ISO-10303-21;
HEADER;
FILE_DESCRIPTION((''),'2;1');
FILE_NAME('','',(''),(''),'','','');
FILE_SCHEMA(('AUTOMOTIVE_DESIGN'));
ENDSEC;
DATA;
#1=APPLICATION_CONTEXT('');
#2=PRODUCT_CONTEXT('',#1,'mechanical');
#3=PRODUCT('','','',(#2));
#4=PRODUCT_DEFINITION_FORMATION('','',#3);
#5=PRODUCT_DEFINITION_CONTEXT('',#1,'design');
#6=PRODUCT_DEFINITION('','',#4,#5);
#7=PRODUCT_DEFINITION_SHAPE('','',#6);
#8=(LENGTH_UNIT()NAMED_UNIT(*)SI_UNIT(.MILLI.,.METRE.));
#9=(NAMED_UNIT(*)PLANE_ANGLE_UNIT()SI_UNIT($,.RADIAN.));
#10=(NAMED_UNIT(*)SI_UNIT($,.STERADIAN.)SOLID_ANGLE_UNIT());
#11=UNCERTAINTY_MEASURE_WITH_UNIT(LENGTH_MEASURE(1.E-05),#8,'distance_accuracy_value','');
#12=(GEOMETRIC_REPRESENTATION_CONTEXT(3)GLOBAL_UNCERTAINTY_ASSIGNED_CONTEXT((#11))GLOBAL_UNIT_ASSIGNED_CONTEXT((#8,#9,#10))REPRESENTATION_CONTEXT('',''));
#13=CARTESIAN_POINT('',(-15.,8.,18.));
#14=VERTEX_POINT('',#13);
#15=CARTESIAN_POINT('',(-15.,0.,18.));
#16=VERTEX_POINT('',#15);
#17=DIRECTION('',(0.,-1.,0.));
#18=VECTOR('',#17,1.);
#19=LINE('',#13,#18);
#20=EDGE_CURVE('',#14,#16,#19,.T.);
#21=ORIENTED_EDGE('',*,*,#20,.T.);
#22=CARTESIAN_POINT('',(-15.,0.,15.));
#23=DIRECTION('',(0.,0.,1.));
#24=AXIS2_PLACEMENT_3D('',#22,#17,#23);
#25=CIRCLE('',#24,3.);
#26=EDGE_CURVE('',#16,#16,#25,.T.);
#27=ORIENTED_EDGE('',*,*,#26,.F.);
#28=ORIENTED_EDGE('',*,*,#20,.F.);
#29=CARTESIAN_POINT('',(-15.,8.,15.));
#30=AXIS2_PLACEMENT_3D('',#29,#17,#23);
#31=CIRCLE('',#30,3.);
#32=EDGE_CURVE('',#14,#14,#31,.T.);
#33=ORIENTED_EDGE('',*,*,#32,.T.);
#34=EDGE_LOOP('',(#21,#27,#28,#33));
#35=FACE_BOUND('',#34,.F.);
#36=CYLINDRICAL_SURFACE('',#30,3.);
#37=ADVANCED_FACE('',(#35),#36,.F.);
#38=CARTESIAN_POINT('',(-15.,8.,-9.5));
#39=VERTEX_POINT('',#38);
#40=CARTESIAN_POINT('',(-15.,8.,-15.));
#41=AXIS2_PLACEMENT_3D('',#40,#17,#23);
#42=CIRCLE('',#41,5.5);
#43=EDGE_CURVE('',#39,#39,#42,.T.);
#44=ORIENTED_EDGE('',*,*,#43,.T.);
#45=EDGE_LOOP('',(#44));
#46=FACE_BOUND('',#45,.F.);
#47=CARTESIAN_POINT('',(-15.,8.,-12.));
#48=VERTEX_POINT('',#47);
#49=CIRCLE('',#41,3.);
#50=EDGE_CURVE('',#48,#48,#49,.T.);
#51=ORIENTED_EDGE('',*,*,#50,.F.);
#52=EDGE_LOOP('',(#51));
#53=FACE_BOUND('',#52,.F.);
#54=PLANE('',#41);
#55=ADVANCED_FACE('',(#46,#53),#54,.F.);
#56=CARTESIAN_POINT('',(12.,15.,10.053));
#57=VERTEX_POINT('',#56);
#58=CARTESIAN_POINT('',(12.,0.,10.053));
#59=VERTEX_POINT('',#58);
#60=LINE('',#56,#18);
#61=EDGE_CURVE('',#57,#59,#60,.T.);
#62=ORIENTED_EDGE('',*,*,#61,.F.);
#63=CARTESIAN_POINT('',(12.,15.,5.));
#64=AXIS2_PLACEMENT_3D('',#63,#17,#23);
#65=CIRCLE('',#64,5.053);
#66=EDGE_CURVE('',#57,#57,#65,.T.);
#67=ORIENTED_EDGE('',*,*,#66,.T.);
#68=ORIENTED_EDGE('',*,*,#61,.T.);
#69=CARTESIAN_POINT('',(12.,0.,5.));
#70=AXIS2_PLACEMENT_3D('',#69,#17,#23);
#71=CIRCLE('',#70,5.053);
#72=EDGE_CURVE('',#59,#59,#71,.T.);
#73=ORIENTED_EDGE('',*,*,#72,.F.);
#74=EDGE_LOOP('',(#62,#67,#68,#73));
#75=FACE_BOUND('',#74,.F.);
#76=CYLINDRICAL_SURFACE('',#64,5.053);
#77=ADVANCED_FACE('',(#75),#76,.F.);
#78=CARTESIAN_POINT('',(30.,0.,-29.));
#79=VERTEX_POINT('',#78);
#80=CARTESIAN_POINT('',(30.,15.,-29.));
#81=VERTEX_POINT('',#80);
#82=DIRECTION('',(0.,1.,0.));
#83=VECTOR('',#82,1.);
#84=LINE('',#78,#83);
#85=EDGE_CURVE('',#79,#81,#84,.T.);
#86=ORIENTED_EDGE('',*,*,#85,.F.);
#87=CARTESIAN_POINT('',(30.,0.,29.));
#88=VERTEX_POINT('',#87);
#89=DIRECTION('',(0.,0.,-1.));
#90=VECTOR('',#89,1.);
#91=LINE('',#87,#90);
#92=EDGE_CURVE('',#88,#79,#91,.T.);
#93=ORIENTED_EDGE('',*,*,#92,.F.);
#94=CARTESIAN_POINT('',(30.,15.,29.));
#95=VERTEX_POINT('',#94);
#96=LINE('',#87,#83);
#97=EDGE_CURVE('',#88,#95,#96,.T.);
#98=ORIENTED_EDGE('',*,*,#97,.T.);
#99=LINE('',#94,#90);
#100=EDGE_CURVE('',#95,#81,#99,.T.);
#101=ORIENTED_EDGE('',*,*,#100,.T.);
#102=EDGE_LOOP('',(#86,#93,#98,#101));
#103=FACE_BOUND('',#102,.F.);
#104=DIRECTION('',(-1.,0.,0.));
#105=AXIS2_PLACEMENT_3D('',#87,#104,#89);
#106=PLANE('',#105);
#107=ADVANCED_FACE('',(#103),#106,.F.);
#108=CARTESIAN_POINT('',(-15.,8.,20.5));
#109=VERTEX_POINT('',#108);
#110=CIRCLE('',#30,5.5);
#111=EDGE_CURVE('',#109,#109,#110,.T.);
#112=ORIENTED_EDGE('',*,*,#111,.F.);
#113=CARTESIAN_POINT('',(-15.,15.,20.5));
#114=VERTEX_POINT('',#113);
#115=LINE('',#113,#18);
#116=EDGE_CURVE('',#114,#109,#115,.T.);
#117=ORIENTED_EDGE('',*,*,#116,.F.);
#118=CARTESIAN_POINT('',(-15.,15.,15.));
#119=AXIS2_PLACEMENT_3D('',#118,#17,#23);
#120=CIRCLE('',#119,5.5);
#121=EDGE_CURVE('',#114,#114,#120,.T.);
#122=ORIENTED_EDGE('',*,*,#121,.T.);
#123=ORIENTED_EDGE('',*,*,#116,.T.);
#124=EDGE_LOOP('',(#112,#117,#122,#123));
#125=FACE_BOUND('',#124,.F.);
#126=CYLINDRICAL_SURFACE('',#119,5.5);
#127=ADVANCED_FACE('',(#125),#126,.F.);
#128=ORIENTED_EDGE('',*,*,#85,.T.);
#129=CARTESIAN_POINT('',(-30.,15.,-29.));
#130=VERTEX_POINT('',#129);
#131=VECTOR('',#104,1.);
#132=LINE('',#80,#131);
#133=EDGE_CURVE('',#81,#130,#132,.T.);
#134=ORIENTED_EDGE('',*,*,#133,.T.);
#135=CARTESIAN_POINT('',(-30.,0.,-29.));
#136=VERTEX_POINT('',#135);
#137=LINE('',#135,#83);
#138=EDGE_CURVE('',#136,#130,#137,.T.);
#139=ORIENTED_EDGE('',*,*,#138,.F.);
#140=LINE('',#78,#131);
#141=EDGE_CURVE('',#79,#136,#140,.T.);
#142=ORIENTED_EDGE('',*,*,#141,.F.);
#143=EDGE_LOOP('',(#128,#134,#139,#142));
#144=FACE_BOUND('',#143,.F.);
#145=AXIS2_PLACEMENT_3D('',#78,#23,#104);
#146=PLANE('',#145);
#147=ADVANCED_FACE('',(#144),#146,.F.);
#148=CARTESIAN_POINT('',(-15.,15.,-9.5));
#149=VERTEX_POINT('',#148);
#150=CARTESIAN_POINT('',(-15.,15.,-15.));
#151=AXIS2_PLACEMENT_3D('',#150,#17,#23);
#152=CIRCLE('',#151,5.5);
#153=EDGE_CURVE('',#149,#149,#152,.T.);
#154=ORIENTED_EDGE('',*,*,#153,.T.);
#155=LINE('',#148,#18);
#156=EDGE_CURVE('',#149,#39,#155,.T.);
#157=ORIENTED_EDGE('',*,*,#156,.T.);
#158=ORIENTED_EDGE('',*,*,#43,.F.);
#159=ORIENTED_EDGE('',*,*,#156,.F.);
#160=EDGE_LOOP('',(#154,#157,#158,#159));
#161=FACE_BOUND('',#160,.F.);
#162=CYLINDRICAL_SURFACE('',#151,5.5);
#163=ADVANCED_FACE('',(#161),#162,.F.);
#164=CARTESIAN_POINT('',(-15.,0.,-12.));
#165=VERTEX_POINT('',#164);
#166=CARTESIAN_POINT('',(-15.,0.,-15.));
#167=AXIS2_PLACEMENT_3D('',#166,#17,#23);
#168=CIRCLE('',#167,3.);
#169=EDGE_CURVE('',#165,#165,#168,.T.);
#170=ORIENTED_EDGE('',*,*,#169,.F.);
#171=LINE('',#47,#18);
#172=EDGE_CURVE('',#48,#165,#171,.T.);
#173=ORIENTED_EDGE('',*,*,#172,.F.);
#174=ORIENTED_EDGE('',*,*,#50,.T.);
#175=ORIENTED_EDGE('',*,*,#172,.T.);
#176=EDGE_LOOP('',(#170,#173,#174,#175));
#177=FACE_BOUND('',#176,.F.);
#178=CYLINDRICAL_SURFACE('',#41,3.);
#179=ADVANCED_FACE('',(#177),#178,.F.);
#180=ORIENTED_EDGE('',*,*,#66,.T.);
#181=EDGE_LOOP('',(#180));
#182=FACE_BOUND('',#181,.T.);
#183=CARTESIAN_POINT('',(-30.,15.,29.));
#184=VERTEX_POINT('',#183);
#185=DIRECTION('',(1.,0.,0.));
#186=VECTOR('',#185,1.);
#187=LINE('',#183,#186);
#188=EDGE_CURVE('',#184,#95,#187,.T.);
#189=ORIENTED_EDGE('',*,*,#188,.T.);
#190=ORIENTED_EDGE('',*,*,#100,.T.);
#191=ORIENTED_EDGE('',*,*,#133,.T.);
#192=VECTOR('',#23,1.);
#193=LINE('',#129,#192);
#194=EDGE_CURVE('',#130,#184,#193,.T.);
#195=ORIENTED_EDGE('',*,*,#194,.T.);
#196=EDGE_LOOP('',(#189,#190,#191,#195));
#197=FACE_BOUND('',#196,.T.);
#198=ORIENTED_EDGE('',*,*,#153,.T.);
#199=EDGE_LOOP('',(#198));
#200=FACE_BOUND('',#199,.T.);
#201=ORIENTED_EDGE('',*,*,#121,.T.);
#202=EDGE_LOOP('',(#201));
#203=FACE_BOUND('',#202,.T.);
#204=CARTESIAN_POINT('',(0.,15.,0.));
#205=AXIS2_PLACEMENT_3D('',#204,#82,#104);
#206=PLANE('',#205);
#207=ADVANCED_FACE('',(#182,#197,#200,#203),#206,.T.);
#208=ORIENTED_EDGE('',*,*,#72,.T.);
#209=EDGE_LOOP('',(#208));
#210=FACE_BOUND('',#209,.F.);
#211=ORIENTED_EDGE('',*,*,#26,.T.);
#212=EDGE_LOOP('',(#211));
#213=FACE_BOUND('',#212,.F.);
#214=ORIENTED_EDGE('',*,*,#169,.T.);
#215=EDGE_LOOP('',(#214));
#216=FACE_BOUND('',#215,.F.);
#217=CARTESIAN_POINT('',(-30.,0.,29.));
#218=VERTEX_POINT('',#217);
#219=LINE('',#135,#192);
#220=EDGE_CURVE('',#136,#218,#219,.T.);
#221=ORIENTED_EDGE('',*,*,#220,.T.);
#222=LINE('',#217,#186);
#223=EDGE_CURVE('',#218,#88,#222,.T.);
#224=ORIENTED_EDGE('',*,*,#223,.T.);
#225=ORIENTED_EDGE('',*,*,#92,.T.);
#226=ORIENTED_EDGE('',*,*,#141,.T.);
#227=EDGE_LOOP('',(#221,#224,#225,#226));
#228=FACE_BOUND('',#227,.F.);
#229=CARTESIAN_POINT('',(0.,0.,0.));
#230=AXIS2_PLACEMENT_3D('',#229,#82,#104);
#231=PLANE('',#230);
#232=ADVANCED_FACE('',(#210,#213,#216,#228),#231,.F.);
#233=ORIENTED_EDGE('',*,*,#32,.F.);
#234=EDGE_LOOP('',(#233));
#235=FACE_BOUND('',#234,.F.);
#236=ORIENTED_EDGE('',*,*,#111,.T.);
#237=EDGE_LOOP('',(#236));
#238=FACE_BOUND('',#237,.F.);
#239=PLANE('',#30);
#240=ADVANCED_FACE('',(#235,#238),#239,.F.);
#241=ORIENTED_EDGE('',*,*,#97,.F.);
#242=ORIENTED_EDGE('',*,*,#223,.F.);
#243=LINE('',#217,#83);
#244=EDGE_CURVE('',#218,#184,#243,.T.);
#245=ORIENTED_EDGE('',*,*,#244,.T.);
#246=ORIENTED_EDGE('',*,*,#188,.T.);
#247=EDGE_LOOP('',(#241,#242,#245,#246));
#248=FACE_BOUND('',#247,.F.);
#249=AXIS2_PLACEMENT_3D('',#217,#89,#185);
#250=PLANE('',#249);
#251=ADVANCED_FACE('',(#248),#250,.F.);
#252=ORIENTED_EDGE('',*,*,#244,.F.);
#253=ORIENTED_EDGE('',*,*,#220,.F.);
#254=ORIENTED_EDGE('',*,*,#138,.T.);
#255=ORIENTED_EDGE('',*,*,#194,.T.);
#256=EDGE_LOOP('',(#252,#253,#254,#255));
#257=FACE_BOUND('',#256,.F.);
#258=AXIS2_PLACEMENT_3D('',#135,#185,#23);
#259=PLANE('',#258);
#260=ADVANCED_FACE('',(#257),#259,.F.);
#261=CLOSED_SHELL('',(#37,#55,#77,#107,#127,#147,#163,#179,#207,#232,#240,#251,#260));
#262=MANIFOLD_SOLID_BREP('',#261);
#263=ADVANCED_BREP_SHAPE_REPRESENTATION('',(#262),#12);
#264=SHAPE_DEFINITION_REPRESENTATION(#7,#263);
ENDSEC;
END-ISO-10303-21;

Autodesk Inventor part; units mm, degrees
ref_plane "YZ Plane" through (0, 0, 0) normal (1, 0, 0) x (0, 1, 0)
ref_plane "XZ Plane" through (0, 0, 0) normal (0, 1, 0) x (-1, 0, 0)
ref_plane "XY Plane" through (0, 0, 0) normal (0, 0, 1) x (1, 0, 0)
sketch "Sketch1" plane through (0, 0, 0) normal (0, 1, 0) x (-1, 0, 0)
  line L0 (30, 29) -> (-30, 29)
  line L1 (-30, 29) -> (-30, -29)
  line L2 (-30, -29) -> (30, -29)
  line L3 (30, -29) -> (30, 29)
  line L4 (30, 29) -> (-30, -29) construction
  line L5 (-30, 29) -> (30, -29) construction
  point P0 (0, 0)
  dimension "d0" = 60
  dimension "d1" = 58
extrude "Extrusion1" add sketch "Sketch1" along normal blind 15
sketch "Sketch2" plane through (0, 15, 0) normal (0, 1, 0) x (1, 0, 0)
  line L0 (30, -29) -> (30, 29) projected
  line L1 (30, 29) -> (-30, 29) projected
  line L2 (-30, 29) -> (-30, -29) projected
  line L3 (-30, -29) -> (30, -29) projected
  line L4 (-30, 0) -> (30, 0) construction
  point P0 (0, 0)
  point P1 (-15, -15)
  point P2 (-15, 15)
  point P3 (0, 0)
  point P4 (12, -5)
  dimension "d4" = 30
  dimension "d5" = 15
  dimension "d22" = 12
  dimension "d23" = 5
hole "Hole1" at (12, 15, 5) direction (0, -1, 0) diameter 10.106 end through all thread size "M12x1.75" class "6H" standard "ISO Metric profile"
hole "Hole2" at (-15, 15, 15) at (-15, 15, -15) direction (0, -1, 0) diameter 6 end through all counterbore diameter 11 counterbore depth 7
properties part number "Lift Bracket"
